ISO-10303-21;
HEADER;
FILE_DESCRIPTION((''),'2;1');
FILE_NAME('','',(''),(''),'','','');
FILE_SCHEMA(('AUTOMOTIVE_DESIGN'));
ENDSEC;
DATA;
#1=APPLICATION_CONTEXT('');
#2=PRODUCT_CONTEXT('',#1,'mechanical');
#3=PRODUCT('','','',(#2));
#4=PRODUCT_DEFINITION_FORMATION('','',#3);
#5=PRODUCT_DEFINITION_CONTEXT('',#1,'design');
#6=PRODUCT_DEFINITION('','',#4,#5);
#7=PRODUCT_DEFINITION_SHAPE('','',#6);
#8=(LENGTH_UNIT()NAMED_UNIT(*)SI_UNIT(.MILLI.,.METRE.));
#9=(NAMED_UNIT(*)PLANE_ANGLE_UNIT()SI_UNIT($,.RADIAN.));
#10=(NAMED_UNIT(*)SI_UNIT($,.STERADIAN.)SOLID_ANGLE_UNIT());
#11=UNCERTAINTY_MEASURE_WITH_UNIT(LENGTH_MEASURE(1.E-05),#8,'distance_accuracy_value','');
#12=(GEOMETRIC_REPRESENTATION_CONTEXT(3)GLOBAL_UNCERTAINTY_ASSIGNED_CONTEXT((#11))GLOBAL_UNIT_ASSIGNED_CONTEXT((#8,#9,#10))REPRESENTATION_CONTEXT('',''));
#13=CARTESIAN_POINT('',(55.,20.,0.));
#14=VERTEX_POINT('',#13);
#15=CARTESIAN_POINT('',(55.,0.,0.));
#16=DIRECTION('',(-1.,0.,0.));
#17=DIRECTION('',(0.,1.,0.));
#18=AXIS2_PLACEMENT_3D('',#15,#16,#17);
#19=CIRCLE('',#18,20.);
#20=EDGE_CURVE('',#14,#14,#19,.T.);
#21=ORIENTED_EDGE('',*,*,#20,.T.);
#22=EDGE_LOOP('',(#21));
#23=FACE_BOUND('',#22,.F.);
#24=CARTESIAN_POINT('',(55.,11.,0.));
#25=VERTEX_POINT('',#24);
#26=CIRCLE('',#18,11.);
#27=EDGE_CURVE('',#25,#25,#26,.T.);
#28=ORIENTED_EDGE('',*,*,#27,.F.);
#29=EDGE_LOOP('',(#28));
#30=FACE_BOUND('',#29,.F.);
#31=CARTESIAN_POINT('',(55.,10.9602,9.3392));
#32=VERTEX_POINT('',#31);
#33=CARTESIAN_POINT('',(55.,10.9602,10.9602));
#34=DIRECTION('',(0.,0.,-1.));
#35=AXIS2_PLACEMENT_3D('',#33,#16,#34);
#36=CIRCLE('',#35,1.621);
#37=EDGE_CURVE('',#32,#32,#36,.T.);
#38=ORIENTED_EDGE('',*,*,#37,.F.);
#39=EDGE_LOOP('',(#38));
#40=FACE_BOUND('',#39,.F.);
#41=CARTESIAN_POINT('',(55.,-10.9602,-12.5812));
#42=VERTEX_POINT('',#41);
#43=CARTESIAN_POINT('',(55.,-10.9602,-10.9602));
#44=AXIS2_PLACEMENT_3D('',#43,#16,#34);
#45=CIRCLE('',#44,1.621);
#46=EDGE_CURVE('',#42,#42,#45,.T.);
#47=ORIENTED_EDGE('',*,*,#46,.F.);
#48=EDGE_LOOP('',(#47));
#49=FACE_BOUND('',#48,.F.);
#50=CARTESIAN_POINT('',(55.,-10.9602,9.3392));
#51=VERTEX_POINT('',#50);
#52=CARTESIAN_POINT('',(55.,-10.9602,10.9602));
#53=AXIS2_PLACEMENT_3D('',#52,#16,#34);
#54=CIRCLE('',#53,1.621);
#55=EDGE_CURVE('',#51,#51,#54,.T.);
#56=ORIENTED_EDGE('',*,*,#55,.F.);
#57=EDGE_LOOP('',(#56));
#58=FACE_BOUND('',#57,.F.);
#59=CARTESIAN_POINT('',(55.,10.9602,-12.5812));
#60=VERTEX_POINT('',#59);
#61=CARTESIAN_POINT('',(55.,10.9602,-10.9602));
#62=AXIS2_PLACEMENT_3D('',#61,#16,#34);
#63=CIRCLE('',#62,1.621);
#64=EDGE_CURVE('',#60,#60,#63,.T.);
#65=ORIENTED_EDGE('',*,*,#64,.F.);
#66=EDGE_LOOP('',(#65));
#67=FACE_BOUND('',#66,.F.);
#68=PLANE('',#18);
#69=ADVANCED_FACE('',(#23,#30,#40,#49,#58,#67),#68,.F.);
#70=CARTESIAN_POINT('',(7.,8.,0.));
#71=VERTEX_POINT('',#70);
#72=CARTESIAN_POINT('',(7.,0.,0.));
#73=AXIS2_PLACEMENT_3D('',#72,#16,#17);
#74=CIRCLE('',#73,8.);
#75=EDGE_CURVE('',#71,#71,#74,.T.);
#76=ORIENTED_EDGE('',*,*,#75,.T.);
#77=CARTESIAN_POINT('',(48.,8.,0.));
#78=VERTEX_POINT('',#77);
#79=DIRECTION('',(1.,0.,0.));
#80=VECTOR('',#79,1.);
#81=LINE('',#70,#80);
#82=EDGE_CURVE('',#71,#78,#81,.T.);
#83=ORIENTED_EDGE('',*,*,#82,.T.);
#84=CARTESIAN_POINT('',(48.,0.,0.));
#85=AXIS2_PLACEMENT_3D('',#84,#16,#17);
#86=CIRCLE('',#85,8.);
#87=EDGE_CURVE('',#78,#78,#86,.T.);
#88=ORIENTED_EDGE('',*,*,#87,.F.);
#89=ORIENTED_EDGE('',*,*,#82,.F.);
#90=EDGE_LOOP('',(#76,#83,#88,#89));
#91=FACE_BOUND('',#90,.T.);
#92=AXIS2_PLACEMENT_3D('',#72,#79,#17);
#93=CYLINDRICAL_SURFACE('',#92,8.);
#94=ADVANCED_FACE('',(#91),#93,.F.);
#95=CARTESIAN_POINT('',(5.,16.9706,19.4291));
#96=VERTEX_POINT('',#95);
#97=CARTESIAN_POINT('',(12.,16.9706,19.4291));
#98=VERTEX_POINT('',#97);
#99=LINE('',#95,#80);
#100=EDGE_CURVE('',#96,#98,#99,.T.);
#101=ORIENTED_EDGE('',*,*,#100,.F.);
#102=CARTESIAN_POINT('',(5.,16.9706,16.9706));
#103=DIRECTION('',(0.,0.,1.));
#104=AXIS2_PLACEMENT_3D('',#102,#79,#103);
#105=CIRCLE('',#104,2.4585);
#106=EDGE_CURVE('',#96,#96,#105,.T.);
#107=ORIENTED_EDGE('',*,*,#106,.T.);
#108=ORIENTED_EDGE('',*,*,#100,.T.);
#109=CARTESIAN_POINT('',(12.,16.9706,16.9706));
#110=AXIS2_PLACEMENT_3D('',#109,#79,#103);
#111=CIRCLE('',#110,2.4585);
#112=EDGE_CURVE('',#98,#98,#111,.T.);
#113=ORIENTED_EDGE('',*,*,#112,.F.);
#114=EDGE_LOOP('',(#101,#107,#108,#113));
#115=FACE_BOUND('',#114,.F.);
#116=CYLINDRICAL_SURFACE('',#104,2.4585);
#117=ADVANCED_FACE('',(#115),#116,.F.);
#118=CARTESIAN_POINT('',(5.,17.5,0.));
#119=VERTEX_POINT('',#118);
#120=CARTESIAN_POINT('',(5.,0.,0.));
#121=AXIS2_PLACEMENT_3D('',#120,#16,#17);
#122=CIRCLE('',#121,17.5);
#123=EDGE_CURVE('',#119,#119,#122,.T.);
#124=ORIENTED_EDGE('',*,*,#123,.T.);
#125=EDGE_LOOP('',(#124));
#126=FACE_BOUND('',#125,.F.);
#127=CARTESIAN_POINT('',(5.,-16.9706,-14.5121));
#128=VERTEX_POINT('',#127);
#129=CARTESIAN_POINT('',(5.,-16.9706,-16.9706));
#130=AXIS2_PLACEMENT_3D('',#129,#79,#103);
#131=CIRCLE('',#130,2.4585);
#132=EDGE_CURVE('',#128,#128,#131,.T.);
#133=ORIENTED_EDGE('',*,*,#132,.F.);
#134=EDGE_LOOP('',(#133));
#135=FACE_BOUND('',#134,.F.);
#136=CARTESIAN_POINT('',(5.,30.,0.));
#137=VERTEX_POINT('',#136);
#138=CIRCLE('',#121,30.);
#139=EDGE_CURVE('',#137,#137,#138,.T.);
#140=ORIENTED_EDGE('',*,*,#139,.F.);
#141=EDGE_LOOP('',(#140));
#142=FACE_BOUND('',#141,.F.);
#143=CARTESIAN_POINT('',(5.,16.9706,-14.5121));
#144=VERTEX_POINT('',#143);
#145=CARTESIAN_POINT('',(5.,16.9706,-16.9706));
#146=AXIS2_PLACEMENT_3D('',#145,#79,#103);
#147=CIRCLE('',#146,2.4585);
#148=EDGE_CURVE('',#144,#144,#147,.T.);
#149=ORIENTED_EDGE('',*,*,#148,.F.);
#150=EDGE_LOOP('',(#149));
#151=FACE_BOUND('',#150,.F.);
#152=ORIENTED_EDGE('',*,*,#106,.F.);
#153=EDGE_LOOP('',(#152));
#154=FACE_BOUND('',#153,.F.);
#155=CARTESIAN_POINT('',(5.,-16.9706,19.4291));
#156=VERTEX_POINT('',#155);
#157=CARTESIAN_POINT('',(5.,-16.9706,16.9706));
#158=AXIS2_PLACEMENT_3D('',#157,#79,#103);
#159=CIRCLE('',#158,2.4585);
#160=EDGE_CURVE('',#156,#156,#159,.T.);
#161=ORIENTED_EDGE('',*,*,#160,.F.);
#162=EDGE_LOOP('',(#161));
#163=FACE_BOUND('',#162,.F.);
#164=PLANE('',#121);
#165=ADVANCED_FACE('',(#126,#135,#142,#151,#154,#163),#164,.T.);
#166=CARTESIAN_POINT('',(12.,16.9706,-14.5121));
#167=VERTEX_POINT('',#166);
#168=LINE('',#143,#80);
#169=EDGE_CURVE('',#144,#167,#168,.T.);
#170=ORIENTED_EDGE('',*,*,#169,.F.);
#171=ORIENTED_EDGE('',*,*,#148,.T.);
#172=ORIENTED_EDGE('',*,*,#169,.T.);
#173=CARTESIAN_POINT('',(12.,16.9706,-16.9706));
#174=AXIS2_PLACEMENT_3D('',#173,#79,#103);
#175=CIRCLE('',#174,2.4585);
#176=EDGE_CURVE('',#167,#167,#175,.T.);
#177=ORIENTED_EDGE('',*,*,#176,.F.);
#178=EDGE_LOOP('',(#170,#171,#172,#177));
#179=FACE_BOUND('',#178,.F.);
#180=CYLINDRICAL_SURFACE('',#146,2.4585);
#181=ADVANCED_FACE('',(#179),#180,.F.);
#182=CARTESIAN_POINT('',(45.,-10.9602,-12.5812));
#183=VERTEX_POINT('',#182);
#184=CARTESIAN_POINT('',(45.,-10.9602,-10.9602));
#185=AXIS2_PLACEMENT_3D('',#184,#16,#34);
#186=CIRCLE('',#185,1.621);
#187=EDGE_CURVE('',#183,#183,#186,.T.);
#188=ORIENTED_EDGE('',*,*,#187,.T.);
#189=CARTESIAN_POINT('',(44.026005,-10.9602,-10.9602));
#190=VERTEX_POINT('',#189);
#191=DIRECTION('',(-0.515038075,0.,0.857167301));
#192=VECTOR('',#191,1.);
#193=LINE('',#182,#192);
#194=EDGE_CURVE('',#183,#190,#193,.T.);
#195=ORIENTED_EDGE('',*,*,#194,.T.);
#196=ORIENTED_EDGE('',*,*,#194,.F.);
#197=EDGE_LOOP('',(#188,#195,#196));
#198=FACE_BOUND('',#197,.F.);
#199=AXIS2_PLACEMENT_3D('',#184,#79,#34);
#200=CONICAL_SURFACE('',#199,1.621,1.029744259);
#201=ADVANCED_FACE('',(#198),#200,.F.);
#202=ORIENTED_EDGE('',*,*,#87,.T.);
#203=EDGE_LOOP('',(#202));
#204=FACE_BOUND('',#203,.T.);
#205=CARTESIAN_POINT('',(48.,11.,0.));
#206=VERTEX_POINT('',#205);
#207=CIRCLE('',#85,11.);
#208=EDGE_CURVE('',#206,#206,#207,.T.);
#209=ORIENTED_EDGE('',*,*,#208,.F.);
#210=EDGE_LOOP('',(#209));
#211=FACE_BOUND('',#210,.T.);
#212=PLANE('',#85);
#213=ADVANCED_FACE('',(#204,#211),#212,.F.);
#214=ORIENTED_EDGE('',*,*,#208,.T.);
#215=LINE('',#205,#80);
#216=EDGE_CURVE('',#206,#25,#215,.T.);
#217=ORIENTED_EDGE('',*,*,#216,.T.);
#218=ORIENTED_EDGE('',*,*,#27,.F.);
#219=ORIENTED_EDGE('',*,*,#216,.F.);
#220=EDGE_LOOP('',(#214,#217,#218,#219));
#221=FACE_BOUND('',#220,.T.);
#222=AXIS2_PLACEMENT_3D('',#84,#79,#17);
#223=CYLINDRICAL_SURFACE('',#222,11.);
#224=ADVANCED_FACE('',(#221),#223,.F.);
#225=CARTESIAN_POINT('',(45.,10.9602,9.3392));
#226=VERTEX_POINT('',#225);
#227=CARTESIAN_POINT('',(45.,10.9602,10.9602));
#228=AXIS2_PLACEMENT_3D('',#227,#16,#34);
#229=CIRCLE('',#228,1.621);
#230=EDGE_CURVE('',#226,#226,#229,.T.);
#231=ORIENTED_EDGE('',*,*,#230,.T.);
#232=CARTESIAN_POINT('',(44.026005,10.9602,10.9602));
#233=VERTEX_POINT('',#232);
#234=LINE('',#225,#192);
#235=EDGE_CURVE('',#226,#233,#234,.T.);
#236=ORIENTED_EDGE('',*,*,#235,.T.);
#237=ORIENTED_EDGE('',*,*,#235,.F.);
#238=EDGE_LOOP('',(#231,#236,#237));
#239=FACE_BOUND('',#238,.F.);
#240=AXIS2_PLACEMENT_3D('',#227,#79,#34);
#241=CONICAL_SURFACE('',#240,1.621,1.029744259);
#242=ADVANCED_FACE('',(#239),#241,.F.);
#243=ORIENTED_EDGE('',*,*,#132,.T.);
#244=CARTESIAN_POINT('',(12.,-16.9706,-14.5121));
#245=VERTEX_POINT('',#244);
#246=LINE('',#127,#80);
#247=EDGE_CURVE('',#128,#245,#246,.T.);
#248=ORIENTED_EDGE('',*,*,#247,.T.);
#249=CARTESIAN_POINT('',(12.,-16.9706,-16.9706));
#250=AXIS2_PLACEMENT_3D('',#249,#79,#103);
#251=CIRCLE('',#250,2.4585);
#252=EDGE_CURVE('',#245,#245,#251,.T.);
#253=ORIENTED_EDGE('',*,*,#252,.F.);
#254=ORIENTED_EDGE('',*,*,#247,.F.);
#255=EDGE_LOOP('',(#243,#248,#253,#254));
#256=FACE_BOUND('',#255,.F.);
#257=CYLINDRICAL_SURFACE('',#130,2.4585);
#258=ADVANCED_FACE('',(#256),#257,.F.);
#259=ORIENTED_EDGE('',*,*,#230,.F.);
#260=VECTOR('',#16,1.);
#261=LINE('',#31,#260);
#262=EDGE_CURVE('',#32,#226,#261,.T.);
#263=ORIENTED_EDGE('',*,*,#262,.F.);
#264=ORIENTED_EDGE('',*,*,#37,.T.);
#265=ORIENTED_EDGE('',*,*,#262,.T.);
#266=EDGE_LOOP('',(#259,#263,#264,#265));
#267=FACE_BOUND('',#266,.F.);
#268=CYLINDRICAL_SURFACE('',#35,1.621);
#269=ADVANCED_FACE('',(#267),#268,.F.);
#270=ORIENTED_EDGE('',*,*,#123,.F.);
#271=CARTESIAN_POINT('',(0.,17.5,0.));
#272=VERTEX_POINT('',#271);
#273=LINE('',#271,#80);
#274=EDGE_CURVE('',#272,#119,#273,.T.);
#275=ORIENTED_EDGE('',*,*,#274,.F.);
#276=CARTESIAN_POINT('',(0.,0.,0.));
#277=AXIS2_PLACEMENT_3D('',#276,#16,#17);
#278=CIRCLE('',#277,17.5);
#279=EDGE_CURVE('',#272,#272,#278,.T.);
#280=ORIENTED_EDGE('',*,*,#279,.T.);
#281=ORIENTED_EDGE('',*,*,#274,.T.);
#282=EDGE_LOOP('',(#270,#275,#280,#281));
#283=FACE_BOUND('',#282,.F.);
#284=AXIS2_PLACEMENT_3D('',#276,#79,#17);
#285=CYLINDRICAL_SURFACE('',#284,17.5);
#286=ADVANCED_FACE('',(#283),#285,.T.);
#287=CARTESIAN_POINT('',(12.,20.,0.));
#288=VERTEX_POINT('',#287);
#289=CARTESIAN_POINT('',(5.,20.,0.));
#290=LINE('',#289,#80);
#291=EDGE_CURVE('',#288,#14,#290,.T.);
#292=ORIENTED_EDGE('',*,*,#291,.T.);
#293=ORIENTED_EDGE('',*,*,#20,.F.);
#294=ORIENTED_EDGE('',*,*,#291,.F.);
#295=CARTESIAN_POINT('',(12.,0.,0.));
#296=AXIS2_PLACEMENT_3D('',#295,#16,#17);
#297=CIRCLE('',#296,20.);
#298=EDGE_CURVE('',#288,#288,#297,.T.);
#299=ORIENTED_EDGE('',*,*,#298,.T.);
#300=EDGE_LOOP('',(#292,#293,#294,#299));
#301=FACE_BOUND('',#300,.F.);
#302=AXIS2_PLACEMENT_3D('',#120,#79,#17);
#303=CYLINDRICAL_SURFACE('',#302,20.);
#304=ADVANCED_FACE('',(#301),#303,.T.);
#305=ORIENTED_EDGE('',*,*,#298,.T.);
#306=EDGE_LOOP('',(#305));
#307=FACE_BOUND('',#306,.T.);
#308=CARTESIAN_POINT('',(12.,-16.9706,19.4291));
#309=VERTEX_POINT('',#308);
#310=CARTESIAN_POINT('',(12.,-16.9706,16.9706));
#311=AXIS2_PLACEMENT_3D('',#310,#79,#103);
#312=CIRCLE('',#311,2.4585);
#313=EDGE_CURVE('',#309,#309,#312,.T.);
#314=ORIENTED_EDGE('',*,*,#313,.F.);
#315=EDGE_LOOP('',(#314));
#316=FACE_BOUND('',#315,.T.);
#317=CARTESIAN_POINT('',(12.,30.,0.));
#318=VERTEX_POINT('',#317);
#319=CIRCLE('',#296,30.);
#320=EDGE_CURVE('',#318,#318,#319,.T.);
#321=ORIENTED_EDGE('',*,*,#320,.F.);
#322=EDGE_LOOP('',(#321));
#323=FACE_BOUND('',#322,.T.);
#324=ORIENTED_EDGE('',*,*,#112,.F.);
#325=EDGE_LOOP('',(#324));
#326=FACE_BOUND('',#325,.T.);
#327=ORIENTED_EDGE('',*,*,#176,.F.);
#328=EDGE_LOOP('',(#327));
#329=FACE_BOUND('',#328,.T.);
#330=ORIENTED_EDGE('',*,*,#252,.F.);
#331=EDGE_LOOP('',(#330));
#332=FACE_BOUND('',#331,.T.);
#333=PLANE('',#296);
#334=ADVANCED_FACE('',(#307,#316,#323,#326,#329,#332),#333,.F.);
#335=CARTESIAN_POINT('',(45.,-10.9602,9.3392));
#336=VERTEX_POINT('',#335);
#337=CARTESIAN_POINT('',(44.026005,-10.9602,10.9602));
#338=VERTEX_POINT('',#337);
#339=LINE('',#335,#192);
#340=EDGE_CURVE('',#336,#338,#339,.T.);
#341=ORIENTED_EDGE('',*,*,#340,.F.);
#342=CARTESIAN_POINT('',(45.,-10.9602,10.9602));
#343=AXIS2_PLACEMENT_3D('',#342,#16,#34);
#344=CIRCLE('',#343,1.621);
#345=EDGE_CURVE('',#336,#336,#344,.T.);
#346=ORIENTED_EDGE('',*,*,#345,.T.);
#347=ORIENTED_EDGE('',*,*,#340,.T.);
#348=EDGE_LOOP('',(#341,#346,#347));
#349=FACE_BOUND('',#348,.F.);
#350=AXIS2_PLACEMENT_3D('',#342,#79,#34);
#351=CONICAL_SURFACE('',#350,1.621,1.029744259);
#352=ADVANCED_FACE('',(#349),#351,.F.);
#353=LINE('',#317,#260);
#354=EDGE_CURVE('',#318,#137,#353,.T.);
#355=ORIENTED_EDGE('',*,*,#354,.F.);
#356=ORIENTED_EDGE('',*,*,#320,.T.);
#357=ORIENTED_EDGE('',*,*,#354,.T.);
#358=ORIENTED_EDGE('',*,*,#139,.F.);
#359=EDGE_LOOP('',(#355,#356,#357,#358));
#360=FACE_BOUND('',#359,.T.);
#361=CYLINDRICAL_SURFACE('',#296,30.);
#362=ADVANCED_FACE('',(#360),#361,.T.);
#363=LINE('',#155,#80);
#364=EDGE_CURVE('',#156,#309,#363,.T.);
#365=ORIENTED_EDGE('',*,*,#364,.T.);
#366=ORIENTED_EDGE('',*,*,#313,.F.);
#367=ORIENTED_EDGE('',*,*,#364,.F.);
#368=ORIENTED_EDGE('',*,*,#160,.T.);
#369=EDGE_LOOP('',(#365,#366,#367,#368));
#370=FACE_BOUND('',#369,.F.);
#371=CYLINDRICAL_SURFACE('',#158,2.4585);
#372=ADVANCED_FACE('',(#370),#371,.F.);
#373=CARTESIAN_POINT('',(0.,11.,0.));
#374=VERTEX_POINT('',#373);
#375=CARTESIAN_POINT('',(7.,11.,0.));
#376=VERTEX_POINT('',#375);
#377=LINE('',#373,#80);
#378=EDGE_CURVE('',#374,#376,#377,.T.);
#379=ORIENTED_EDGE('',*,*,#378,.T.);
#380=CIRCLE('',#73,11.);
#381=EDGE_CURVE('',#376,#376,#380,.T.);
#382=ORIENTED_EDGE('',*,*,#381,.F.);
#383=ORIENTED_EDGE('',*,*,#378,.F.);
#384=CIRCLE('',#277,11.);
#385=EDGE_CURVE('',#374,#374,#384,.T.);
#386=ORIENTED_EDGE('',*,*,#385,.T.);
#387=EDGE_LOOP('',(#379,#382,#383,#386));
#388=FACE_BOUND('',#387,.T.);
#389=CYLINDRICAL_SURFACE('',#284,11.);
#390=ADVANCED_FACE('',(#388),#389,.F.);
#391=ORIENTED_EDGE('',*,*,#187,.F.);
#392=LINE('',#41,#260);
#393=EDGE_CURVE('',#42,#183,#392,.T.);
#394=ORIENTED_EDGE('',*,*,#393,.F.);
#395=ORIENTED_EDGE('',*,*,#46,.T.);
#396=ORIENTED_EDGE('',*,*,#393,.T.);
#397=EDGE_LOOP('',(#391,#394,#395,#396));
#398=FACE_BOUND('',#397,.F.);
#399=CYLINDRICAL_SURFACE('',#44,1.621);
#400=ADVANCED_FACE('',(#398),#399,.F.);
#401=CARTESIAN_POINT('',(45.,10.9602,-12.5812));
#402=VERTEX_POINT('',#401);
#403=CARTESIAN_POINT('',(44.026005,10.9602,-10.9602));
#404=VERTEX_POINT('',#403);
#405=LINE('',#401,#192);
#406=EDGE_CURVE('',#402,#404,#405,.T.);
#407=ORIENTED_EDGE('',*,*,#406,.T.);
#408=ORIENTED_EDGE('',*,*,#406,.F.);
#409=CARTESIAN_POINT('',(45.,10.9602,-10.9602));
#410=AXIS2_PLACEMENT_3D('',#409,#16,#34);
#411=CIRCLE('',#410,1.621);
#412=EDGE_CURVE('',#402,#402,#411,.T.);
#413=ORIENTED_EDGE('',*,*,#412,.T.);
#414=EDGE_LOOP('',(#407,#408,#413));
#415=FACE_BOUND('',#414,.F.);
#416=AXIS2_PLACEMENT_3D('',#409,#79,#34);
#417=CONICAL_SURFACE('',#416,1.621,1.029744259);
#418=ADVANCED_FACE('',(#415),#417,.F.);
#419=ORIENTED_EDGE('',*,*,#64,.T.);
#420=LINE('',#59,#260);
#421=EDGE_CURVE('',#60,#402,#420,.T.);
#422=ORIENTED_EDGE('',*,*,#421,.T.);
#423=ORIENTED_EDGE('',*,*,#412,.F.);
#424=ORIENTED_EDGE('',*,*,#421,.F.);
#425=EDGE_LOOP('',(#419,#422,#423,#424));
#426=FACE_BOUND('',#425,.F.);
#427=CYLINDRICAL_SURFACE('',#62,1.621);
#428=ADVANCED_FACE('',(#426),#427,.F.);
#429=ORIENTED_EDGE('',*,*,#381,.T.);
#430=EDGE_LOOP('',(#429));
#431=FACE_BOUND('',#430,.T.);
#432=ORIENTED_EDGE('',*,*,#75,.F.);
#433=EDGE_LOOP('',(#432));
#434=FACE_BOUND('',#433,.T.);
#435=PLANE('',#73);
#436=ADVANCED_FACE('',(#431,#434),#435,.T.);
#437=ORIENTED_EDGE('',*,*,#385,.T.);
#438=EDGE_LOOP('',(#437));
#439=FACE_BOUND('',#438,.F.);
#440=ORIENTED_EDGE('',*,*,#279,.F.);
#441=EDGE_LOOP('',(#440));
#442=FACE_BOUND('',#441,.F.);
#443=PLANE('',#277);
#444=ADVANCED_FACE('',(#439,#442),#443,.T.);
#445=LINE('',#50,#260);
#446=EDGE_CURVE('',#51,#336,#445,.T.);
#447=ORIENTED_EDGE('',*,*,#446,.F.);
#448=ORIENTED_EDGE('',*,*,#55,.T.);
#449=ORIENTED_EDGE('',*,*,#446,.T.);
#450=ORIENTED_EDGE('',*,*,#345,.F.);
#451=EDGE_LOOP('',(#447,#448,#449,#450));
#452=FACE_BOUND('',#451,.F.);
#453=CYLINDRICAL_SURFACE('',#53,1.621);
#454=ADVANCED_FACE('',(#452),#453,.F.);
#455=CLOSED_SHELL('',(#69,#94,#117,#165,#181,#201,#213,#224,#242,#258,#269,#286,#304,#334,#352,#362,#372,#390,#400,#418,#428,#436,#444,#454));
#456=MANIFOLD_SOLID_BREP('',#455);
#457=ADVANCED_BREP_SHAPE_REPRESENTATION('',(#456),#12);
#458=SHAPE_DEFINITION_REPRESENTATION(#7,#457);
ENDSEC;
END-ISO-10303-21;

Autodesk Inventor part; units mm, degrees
ref_plane "YZ Plane" through (0, 0, 0) normal (1, 0, 0) x (0, 1, 0)
ref_plane "XZ Plane" through (0, 0, 0) normal (0, 1, 0) x (-1, 0, 0)
ref_plane "XY Plane" through (0, 0, 0) normal (0, 0, 1) x (1, 0, 0)
sketch "Skizze1" plane through (0, 0, 0) normal (0, 0, 1) x (1, 0, 0)
  line L0 (0, 0) -> (0, 17.5)
  line L1 (0, 17.5) -> (5, 17.5)
  line L2 (5, 17.5) -> (5, 20)
  line L3 (5, 20) -> (55, 20)
  line L4 (55, 20) -> (55, 0)
  line L5 (55, 0) -> (0, 0)
  line L6 (0, 11) -> (7, 11)
  line L7 (7, 11) -> (7, 8)
  line L8 (7, 8) -> (48, 8)
  line L9 (48, 8) -> (48, 11)
  line L10 (48, 11) -> (55, 11)
  line L11 (5, 20) -> (12, 20)
  line L12 (12, 20) -> (12, 30)
  line L13 (12, 30) -> (5, 30)
  line L14 (5, 30) -> (5, 20)
  dimension "d1" = 17.5
  dimension "d2" = 5
  dimension "d4" = 50
  dimension "d5" = 8
  dimension "d6" = 11
  dimension "d7" = 7
  dimension "d8" = 7
  dimension "d31" = 20
  dimension "d32" = 7
  dimension "d33" = 30
revolve "Umdrehung1" add sketch "Skizze1" angle 360 about axis through (55, 0, 0) along (-1, 0, 0) contours L0 L1 L2 L3 L4 L10 L9 L8 L7 L6 | L14 L13 L12 L3
sketch "Skizze4" plane through (55, 0, 0) normal (1, 0, 0) x (0, 0, -1)
  circle A0 centre (0, 0) radius 15.5
  circle A1 centre (0, 0) radius 11 projected
  circle A2 centre (0, 0) radius 20 projected
  line L0 (10.9602, 10.9602) -> (10.9602, -10.9602)
  line L1 (10.9602, -10.9602) -> (-10.9602, -10.9602)
  line L2 (-10.9602, -10.9602) -> (-10.9602, 10.9602)
  line L3 (-10.9602, 10.9602) -> (10.9602, 10.9602)
  dimension "d20" = 4.5
  dimension "d21" = 4.5
hole "Bohrung2" at (55, 10.9602, -10.9602) at (55, -10.9602, -10.9602) at (55, -10.9602, 10.9602) at (55, 10.9602, 10.9602) direction (-1, 0, 0) diameter 3.242 depth 10 tip angle 118 thread size "M4x0.7" class "6H" standard "ANSI Metric M Profile"
sketch "Skizze6" plane through (5, 0, 0) normal (-1, 0, 0) x (0, 0, 1)
  circle A0 centre (0, 0) radius 24
  line L0 (-16.9706, 16.9706) -> (16.9706, 16.9706)
  line L1 (16.9706, 16.9706) -> (16.9706, -16.9706)
  line L2 (16.9706, -16.9706) -> (-16.9706, -16.9706)
  line L3 (-16.9706, -16.9706) -> (-16.9706, 16.9706)
  dimension "d34" = 48
hole "Bohrung3" at (5, 16.9706, -16.9706) at (5, -16.9706, -16.9706) at (5, -16.9706, 16.9706) at (5, 16.9706, 16.9706) direction (1, 0, 0) diameter 4.917 depth 17.1 tip angle 118 thread size "M6x1" class "6H" standard "ISO Metric profile"
equation "\"d20\" = d21"
properties part number "Lagerhalter"
